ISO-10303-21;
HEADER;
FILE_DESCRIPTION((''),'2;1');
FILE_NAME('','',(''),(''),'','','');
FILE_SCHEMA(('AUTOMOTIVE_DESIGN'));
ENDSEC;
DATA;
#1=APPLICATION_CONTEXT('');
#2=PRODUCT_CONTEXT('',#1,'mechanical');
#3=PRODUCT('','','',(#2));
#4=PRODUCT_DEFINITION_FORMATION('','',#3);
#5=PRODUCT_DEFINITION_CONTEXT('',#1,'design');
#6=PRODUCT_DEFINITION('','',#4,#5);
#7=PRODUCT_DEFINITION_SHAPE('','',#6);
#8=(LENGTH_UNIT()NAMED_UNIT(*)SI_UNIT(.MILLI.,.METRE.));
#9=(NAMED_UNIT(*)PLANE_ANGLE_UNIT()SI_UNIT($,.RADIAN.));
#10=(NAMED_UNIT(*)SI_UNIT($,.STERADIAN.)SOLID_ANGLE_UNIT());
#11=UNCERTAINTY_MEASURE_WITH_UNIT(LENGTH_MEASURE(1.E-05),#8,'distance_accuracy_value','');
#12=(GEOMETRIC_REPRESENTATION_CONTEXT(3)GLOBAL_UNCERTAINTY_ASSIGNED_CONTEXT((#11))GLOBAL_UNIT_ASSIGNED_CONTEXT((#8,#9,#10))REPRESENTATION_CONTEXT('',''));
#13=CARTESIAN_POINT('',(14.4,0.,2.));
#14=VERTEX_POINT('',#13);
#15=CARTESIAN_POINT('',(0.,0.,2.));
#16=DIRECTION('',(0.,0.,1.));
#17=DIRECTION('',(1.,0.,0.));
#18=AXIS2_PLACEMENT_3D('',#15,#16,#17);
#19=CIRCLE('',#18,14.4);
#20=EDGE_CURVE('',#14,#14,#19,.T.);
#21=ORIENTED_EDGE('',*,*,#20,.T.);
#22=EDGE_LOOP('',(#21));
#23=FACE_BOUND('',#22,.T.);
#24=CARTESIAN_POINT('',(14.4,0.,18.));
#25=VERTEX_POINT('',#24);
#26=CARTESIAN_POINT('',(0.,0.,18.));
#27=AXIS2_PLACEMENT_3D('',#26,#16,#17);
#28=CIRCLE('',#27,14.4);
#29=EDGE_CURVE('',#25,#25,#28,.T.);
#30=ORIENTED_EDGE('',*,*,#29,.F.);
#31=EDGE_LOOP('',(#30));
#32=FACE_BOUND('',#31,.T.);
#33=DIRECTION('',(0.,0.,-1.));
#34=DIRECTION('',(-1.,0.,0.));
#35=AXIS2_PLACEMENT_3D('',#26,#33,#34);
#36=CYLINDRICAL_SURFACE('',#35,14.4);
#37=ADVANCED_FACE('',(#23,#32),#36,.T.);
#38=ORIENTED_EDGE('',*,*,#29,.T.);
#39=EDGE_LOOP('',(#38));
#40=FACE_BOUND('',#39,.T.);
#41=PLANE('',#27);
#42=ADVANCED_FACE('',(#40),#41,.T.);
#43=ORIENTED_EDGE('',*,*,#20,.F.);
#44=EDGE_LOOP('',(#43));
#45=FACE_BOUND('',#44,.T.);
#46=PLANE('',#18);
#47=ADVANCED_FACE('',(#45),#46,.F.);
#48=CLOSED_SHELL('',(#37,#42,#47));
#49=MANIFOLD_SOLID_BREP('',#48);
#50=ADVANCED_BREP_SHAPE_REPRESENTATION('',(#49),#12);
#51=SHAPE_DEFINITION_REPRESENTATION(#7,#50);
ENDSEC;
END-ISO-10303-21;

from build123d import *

# Parameters (mm, degrees)
SKETCH_1_R      = 18
EXTRUDE_1_DEPTH = 20
SCALE_1_SCALE   = 0.8


with BuildPart() as part:
    # 草图1 → 凸台-拉伸1 (new body)
    with BuildSketch(Plane.XY):
        Circle(SKETCH_1_R)
    extrude(amount=EXTRUDE_1_DEPTH)


with BuildPart() as part_1:
    # 缩放比例1: scaled about (0, 0, 10)
    add(part.part.scale(SCALE_1_SCALE).moved(Location((0, 0, 2))))


solid = part_1.part
